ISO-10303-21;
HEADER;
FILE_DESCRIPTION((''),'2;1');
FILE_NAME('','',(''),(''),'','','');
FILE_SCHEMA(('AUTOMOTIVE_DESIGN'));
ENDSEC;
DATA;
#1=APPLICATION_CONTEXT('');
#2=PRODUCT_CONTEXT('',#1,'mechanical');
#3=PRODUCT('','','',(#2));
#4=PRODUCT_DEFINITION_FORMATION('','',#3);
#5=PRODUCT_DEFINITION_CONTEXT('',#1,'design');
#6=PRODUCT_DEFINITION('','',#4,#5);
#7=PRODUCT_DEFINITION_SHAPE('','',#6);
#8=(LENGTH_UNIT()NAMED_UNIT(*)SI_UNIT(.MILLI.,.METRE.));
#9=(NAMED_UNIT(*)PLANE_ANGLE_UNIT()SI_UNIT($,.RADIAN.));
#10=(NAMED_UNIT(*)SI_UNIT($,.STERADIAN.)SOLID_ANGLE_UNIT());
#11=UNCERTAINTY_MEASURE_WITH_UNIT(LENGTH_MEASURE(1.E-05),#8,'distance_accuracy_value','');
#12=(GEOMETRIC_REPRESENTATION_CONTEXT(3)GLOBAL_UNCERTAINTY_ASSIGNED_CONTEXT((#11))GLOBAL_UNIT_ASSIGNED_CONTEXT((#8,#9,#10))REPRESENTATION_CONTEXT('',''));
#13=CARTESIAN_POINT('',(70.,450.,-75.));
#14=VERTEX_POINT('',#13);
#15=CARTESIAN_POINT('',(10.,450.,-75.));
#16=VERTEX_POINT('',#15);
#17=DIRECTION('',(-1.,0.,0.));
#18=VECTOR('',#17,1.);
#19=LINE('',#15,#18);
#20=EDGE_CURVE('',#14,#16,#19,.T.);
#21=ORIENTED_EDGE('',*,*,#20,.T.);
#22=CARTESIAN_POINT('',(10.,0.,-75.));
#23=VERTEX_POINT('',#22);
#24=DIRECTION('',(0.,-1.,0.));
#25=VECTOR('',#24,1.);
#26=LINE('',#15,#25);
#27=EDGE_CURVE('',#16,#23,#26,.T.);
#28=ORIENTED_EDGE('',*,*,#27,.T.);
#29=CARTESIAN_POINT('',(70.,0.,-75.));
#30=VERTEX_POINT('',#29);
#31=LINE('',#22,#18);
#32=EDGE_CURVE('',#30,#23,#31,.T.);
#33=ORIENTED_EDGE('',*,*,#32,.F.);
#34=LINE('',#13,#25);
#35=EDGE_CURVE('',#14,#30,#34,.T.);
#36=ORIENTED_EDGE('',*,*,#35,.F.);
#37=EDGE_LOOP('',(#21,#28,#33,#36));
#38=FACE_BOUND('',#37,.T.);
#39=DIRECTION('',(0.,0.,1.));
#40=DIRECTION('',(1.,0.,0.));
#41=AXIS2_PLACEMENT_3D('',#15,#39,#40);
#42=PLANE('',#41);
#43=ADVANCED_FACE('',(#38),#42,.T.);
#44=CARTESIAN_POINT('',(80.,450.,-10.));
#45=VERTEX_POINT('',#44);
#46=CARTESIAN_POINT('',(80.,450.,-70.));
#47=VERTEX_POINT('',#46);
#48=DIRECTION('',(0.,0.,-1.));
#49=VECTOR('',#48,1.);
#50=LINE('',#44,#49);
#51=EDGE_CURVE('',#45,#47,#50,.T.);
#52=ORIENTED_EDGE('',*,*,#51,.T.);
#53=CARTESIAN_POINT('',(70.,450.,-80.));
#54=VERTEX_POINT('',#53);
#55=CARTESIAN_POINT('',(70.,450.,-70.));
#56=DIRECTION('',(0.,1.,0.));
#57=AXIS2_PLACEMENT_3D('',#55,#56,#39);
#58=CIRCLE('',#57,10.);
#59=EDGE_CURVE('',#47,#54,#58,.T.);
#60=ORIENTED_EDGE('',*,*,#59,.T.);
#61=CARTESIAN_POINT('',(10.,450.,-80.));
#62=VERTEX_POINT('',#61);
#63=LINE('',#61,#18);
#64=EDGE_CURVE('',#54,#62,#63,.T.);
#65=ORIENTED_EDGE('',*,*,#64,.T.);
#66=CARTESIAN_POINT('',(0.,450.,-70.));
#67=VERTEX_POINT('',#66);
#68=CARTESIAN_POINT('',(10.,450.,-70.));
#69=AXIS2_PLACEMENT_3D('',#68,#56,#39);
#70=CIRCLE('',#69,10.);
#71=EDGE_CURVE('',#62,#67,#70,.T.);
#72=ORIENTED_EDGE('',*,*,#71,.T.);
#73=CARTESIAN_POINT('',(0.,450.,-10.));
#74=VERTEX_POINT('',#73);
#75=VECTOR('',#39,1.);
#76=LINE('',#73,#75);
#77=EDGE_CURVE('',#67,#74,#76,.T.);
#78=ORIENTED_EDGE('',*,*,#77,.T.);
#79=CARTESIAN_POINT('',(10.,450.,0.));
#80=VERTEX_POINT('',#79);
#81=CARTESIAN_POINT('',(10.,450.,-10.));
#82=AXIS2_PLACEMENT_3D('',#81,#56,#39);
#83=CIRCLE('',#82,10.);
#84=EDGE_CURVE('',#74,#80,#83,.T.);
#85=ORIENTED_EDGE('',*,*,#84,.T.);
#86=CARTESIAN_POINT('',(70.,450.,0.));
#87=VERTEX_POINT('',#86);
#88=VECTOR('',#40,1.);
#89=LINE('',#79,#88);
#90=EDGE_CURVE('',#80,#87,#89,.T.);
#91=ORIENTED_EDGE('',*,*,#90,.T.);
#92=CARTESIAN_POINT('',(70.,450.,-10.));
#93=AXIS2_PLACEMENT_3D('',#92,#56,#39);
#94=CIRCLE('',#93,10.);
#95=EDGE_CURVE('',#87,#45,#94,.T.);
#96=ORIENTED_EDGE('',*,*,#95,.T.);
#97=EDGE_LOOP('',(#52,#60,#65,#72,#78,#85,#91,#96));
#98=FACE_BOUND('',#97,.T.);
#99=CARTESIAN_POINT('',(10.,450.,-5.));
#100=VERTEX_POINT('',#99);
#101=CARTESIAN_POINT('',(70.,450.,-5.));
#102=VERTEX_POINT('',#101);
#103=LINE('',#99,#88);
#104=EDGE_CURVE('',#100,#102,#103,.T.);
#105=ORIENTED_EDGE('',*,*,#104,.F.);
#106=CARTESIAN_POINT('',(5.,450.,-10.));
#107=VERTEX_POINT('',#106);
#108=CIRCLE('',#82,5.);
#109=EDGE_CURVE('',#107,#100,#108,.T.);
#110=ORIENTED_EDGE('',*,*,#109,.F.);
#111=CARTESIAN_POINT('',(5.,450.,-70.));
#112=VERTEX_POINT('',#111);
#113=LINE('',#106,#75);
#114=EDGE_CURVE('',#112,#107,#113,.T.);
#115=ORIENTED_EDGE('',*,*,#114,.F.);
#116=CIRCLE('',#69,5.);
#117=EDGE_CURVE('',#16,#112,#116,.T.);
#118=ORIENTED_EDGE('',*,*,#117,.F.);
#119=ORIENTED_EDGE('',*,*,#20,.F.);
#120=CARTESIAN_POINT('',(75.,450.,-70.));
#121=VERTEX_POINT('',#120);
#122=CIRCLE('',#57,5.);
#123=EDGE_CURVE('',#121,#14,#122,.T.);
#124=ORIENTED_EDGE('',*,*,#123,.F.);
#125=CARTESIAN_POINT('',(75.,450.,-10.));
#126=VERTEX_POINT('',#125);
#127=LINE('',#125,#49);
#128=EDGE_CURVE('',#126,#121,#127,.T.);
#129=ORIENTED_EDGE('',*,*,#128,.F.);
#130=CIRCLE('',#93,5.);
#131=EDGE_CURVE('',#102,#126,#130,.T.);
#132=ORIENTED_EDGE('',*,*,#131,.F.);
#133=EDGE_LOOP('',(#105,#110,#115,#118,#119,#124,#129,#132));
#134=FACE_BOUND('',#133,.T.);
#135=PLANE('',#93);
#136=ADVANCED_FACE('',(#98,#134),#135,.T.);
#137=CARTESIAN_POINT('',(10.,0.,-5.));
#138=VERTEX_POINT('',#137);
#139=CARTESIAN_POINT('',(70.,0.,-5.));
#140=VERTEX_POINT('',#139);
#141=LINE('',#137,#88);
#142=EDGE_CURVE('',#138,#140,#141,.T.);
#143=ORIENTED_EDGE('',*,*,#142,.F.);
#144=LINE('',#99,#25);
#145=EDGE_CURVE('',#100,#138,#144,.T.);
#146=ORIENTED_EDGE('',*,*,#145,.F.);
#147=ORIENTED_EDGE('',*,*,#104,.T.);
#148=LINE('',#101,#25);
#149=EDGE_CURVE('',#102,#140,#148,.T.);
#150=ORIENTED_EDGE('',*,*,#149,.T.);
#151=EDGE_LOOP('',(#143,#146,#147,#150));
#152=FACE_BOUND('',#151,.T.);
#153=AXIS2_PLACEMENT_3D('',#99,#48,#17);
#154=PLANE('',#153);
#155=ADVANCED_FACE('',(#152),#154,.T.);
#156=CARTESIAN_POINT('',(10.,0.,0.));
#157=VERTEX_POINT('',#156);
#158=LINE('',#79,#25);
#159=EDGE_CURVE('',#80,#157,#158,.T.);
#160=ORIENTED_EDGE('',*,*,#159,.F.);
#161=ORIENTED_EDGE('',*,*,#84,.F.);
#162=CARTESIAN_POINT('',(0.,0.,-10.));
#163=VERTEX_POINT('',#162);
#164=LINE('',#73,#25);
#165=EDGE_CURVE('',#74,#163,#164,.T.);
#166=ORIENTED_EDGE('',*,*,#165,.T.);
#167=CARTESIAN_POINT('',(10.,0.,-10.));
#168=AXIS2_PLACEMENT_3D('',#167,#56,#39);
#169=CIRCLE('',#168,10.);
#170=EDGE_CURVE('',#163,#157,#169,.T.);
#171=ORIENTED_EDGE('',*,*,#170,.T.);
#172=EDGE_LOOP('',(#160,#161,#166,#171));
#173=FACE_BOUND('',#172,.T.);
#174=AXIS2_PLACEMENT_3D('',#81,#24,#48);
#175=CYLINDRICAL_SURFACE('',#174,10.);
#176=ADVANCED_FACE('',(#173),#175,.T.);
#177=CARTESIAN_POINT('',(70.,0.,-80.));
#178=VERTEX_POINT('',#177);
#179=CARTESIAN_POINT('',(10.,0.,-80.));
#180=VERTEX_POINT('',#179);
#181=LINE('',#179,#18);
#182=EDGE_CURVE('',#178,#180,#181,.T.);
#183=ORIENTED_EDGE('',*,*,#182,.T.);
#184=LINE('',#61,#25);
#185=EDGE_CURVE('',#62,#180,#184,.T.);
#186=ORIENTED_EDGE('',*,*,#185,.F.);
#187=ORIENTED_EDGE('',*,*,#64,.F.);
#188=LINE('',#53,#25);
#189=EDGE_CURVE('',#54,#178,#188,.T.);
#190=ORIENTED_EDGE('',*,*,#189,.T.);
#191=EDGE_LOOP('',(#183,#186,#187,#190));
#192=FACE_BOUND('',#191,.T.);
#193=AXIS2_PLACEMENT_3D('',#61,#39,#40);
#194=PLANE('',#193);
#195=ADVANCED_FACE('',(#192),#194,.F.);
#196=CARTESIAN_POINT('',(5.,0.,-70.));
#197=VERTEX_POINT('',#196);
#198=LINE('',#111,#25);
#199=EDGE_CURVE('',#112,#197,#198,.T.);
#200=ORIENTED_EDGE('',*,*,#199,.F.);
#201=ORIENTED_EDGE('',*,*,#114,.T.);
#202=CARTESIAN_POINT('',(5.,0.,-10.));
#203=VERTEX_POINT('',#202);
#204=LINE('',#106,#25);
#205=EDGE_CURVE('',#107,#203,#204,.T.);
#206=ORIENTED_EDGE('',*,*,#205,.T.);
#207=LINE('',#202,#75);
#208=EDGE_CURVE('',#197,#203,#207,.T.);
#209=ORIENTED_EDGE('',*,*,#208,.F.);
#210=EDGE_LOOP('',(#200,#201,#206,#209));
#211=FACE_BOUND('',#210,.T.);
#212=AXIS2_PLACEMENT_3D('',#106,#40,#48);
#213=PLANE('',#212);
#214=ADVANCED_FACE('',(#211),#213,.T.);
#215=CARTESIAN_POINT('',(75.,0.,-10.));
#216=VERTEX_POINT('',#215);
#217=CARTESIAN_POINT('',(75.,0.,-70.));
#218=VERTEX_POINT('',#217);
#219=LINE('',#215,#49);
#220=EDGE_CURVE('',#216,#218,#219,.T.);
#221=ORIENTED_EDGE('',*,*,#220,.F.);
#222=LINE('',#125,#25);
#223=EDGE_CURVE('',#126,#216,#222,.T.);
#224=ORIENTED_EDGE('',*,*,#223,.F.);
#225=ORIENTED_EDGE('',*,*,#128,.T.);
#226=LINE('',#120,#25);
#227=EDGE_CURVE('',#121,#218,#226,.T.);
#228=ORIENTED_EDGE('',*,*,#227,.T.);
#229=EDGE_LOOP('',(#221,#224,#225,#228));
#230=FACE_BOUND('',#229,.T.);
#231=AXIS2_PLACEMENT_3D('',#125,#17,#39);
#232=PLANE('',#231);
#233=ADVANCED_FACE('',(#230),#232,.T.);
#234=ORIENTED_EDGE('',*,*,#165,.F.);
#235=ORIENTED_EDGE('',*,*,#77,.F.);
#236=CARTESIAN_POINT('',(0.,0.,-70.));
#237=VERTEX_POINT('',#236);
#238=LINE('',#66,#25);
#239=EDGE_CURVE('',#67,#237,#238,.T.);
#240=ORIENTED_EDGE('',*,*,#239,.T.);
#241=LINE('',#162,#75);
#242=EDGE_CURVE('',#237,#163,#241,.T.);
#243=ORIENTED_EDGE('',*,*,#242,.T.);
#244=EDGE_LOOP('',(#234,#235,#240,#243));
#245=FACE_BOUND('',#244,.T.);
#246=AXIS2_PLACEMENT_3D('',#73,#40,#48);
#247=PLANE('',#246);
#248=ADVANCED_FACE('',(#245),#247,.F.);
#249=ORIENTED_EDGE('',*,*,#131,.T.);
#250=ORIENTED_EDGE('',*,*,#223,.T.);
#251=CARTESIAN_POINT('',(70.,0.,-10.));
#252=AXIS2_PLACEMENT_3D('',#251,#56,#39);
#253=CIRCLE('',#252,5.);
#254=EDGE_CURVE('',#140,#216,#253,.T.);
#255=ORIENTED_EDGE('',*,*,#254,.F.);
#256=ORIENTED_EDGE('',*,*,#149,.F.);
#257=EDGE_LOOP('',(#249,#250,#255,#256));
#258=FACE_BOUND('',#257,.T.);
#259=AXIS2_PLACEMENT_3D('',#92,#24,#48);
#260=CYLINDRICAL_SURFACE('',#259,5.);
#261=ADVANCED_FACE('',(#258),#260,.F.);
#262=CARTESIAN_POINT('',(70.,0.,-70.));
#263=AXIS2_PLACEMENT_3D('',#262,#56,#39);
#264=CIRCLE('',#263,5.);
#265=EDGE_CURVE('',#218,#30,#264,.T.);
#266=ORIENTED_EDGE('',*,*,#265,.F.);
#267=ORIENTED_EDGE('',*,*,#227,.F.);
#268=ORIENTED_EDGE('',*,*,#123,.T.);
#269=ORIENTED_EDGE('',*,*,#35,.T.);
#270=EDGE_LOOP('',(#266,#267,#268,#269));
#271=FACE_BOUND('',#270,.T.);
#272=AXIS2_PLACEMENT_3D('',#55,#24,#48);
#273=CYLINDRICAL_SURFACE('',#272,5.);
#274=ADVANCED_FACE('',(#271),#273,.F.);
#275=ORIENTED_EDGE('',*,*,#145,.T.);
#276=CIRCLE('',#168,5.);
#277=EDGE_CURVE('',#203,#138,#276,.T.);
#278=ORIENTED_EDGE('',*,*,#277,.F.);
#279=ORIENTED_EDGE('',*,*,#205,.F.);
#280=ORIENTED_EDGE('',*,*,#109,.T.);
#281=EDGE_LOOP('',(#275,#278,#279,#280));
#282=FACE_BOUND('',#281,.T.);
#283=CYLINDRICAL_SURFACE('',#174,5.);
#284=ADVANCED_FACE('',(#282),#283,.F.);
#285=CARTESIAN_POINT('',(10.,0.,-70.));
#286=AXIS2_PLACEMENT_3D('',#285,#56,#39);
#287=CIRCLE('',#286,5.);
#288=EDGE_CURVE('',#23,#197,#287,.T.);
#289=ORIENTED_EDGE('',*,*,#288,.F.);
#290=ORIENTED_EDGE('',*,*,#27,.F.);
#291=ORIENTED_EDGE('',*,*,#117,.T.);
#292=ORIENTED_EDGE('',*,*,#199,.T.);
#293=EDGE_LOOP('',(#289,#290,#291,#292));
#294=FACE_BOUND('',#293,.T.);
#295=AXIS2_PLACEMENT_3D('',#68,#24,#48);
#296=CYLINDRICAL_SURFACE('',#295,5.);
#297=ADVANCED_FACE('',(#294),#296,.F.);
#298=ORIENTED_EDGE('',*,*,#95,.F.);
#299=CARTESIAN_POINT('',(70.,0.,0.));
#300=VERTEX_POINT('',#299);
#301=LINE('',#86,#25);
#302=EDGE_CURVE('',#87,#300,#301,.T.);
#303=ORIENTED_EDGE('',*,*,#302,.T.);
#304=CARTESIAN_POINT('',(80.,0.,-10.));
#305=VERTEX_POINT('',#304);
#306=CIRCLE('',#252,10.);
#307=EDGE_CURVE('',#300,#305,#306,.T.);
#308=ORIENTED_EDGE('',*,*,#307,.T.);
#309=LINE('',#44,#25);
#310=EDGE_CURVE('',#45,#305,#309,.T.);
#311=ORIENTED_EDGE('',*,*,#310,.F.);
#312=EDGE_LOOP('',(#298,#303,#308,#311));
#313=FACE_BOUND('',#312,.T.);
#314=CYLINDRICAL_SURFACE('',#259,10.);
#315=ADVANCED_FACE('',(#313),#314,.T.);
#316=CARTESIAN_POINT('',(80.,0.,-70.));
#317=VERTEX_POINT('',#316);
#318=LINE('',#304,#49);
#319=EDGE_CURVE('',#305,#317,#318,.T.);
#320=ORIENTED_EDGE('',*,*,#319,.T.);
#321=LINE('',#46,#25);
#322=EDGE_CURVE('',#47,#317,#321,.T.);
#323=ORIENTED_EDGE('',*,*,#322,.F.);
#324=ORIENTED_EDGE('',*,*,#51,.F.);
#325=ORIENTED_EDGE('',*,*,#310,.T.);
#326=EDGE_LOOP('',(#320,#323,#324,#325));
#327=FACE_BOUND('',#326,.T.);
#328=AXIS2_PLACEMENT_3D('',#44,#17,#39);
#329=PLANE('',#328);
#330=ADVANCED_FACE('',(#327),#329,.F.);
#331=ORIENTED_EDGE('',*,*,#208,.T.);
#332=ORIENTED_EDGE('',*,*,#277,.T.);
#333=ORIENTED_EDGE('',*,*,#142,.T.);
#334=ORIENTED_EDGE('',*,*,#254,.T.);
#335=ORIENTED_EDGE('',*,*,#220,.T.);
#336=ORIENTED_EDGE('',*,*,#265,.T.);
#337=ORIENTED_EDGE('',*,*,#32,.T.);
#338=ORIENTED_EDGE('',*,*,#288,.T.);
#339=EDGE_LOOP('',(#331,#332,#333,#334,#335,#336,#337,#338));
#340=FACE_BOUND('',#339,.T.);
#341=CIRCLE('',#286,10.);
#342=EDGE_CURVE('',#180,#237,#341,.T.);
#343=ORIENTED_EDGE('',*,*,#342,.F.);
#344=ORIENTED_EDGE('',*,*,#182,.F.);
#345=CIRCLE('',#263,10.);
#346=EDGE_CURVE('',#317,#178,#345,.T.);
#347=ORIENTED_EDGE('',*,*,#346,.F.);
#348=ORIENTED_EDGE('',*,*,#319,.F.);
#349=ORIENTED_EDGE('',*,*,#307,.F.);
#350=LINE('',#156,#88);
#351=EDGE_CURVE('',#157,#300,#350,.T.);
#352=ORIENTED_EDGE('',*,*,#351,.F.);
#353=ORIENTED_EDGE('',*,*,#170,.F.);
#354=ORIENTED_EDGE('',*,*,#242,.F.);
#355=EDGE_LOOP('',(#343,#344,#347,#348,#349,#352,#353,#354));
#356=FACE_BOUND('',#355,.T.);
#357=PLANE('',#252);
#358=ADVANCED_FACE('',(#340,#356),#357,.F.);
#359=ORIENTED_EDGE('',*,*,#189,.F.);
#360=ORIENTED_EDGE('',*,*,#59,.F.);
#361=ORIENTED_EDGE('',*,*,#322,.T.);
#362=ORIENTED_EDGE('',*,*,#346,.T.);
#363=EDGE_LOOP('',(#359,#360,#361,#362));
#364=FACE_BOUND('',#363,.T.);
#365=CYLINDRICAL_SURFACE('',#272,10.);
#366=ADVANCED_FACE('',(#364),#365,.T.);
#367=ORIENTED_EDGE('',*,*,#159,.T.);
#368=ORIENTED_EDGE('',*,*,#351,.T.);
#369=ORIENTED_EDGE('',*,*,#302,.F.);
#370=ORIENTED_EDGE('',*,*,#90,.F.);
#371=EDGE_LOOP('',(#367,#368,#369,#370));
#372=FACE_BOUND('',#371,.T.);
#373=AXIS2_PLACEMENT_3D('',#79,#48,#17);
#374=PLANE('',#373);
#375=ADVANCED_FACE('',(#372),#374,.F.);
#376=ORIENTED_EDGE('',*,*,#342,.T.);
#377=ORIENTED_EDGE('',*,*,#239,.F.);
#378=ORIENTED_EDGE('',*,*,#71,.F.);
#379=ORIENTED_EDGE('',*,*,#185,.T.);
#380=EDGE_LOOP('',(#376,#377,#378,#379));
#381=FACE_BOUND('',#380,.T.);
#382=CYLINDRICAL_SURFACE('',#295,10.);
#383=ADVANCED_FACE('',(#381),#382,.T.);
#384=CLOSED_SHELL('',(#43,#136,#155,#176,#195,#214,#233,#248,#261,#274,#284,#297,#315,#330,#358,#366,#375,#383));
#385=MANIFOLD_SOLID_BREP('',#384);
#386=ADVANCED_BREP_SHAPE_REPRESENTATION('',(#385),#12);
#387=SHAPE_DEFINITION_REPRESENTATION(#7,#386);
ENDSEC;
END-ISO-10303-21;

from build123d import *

# Parameters (mm, degrees)
DODANIE_WYCI_GNI_CIE1_DEPTH = 450


with BuildPart() as part:
    # Szkic1 → Dodanie-wyciągnięcie1 (new body)
    with BuildSketch(Plane(origin=(0, 0, 0), x_dir=(1, 0, 0), z_dir=(0, 1, 0))):
        with BuildLine():
            Line((10, 0), (70, 0))
            ThreePointArc((70, 0), (77.071067812, 2.928932188), (80, 10))
            Line((80, 10), (80, 70))
            ThreePointArc((80, 70), (77.071067812, 77.071067812), (70, 80))
            Line((70, 80), (10, 80))
            ThreePointArc((10, 80), (2.928932188, 77.071067812), (0, 70))
            Line((0, 70), (0, 10))
            ThreePointArc((0, 10), (2.928932188, 2.928932188), (10, 0))
        make_face()
        with BuildLine():
            Line((5, 10), (5, 70))
            ThreePointArc((5, 70), (6.464466094, 73.535533906), (10, 75))
            Line((10, 75), (70, 75))
            ThreePointArc((70, 75), (73.535533906, 73.535533906), (75, 70))
            Line((75, 70), (75, 10))
            ThreePointArc((75, 10), (73.535533906, 6.464466094), (70, 5))
            Line((70, 5), (10, 5))
            ThreePointArc((10, 5), (6.464466094, 6.464466094), (5, 10))
        make_face(mode=Mode.SUBTRACT)
    extrude(amount=DODANIE_WYCI_GNI_CIE1_DEPTH)


solid = part.part
